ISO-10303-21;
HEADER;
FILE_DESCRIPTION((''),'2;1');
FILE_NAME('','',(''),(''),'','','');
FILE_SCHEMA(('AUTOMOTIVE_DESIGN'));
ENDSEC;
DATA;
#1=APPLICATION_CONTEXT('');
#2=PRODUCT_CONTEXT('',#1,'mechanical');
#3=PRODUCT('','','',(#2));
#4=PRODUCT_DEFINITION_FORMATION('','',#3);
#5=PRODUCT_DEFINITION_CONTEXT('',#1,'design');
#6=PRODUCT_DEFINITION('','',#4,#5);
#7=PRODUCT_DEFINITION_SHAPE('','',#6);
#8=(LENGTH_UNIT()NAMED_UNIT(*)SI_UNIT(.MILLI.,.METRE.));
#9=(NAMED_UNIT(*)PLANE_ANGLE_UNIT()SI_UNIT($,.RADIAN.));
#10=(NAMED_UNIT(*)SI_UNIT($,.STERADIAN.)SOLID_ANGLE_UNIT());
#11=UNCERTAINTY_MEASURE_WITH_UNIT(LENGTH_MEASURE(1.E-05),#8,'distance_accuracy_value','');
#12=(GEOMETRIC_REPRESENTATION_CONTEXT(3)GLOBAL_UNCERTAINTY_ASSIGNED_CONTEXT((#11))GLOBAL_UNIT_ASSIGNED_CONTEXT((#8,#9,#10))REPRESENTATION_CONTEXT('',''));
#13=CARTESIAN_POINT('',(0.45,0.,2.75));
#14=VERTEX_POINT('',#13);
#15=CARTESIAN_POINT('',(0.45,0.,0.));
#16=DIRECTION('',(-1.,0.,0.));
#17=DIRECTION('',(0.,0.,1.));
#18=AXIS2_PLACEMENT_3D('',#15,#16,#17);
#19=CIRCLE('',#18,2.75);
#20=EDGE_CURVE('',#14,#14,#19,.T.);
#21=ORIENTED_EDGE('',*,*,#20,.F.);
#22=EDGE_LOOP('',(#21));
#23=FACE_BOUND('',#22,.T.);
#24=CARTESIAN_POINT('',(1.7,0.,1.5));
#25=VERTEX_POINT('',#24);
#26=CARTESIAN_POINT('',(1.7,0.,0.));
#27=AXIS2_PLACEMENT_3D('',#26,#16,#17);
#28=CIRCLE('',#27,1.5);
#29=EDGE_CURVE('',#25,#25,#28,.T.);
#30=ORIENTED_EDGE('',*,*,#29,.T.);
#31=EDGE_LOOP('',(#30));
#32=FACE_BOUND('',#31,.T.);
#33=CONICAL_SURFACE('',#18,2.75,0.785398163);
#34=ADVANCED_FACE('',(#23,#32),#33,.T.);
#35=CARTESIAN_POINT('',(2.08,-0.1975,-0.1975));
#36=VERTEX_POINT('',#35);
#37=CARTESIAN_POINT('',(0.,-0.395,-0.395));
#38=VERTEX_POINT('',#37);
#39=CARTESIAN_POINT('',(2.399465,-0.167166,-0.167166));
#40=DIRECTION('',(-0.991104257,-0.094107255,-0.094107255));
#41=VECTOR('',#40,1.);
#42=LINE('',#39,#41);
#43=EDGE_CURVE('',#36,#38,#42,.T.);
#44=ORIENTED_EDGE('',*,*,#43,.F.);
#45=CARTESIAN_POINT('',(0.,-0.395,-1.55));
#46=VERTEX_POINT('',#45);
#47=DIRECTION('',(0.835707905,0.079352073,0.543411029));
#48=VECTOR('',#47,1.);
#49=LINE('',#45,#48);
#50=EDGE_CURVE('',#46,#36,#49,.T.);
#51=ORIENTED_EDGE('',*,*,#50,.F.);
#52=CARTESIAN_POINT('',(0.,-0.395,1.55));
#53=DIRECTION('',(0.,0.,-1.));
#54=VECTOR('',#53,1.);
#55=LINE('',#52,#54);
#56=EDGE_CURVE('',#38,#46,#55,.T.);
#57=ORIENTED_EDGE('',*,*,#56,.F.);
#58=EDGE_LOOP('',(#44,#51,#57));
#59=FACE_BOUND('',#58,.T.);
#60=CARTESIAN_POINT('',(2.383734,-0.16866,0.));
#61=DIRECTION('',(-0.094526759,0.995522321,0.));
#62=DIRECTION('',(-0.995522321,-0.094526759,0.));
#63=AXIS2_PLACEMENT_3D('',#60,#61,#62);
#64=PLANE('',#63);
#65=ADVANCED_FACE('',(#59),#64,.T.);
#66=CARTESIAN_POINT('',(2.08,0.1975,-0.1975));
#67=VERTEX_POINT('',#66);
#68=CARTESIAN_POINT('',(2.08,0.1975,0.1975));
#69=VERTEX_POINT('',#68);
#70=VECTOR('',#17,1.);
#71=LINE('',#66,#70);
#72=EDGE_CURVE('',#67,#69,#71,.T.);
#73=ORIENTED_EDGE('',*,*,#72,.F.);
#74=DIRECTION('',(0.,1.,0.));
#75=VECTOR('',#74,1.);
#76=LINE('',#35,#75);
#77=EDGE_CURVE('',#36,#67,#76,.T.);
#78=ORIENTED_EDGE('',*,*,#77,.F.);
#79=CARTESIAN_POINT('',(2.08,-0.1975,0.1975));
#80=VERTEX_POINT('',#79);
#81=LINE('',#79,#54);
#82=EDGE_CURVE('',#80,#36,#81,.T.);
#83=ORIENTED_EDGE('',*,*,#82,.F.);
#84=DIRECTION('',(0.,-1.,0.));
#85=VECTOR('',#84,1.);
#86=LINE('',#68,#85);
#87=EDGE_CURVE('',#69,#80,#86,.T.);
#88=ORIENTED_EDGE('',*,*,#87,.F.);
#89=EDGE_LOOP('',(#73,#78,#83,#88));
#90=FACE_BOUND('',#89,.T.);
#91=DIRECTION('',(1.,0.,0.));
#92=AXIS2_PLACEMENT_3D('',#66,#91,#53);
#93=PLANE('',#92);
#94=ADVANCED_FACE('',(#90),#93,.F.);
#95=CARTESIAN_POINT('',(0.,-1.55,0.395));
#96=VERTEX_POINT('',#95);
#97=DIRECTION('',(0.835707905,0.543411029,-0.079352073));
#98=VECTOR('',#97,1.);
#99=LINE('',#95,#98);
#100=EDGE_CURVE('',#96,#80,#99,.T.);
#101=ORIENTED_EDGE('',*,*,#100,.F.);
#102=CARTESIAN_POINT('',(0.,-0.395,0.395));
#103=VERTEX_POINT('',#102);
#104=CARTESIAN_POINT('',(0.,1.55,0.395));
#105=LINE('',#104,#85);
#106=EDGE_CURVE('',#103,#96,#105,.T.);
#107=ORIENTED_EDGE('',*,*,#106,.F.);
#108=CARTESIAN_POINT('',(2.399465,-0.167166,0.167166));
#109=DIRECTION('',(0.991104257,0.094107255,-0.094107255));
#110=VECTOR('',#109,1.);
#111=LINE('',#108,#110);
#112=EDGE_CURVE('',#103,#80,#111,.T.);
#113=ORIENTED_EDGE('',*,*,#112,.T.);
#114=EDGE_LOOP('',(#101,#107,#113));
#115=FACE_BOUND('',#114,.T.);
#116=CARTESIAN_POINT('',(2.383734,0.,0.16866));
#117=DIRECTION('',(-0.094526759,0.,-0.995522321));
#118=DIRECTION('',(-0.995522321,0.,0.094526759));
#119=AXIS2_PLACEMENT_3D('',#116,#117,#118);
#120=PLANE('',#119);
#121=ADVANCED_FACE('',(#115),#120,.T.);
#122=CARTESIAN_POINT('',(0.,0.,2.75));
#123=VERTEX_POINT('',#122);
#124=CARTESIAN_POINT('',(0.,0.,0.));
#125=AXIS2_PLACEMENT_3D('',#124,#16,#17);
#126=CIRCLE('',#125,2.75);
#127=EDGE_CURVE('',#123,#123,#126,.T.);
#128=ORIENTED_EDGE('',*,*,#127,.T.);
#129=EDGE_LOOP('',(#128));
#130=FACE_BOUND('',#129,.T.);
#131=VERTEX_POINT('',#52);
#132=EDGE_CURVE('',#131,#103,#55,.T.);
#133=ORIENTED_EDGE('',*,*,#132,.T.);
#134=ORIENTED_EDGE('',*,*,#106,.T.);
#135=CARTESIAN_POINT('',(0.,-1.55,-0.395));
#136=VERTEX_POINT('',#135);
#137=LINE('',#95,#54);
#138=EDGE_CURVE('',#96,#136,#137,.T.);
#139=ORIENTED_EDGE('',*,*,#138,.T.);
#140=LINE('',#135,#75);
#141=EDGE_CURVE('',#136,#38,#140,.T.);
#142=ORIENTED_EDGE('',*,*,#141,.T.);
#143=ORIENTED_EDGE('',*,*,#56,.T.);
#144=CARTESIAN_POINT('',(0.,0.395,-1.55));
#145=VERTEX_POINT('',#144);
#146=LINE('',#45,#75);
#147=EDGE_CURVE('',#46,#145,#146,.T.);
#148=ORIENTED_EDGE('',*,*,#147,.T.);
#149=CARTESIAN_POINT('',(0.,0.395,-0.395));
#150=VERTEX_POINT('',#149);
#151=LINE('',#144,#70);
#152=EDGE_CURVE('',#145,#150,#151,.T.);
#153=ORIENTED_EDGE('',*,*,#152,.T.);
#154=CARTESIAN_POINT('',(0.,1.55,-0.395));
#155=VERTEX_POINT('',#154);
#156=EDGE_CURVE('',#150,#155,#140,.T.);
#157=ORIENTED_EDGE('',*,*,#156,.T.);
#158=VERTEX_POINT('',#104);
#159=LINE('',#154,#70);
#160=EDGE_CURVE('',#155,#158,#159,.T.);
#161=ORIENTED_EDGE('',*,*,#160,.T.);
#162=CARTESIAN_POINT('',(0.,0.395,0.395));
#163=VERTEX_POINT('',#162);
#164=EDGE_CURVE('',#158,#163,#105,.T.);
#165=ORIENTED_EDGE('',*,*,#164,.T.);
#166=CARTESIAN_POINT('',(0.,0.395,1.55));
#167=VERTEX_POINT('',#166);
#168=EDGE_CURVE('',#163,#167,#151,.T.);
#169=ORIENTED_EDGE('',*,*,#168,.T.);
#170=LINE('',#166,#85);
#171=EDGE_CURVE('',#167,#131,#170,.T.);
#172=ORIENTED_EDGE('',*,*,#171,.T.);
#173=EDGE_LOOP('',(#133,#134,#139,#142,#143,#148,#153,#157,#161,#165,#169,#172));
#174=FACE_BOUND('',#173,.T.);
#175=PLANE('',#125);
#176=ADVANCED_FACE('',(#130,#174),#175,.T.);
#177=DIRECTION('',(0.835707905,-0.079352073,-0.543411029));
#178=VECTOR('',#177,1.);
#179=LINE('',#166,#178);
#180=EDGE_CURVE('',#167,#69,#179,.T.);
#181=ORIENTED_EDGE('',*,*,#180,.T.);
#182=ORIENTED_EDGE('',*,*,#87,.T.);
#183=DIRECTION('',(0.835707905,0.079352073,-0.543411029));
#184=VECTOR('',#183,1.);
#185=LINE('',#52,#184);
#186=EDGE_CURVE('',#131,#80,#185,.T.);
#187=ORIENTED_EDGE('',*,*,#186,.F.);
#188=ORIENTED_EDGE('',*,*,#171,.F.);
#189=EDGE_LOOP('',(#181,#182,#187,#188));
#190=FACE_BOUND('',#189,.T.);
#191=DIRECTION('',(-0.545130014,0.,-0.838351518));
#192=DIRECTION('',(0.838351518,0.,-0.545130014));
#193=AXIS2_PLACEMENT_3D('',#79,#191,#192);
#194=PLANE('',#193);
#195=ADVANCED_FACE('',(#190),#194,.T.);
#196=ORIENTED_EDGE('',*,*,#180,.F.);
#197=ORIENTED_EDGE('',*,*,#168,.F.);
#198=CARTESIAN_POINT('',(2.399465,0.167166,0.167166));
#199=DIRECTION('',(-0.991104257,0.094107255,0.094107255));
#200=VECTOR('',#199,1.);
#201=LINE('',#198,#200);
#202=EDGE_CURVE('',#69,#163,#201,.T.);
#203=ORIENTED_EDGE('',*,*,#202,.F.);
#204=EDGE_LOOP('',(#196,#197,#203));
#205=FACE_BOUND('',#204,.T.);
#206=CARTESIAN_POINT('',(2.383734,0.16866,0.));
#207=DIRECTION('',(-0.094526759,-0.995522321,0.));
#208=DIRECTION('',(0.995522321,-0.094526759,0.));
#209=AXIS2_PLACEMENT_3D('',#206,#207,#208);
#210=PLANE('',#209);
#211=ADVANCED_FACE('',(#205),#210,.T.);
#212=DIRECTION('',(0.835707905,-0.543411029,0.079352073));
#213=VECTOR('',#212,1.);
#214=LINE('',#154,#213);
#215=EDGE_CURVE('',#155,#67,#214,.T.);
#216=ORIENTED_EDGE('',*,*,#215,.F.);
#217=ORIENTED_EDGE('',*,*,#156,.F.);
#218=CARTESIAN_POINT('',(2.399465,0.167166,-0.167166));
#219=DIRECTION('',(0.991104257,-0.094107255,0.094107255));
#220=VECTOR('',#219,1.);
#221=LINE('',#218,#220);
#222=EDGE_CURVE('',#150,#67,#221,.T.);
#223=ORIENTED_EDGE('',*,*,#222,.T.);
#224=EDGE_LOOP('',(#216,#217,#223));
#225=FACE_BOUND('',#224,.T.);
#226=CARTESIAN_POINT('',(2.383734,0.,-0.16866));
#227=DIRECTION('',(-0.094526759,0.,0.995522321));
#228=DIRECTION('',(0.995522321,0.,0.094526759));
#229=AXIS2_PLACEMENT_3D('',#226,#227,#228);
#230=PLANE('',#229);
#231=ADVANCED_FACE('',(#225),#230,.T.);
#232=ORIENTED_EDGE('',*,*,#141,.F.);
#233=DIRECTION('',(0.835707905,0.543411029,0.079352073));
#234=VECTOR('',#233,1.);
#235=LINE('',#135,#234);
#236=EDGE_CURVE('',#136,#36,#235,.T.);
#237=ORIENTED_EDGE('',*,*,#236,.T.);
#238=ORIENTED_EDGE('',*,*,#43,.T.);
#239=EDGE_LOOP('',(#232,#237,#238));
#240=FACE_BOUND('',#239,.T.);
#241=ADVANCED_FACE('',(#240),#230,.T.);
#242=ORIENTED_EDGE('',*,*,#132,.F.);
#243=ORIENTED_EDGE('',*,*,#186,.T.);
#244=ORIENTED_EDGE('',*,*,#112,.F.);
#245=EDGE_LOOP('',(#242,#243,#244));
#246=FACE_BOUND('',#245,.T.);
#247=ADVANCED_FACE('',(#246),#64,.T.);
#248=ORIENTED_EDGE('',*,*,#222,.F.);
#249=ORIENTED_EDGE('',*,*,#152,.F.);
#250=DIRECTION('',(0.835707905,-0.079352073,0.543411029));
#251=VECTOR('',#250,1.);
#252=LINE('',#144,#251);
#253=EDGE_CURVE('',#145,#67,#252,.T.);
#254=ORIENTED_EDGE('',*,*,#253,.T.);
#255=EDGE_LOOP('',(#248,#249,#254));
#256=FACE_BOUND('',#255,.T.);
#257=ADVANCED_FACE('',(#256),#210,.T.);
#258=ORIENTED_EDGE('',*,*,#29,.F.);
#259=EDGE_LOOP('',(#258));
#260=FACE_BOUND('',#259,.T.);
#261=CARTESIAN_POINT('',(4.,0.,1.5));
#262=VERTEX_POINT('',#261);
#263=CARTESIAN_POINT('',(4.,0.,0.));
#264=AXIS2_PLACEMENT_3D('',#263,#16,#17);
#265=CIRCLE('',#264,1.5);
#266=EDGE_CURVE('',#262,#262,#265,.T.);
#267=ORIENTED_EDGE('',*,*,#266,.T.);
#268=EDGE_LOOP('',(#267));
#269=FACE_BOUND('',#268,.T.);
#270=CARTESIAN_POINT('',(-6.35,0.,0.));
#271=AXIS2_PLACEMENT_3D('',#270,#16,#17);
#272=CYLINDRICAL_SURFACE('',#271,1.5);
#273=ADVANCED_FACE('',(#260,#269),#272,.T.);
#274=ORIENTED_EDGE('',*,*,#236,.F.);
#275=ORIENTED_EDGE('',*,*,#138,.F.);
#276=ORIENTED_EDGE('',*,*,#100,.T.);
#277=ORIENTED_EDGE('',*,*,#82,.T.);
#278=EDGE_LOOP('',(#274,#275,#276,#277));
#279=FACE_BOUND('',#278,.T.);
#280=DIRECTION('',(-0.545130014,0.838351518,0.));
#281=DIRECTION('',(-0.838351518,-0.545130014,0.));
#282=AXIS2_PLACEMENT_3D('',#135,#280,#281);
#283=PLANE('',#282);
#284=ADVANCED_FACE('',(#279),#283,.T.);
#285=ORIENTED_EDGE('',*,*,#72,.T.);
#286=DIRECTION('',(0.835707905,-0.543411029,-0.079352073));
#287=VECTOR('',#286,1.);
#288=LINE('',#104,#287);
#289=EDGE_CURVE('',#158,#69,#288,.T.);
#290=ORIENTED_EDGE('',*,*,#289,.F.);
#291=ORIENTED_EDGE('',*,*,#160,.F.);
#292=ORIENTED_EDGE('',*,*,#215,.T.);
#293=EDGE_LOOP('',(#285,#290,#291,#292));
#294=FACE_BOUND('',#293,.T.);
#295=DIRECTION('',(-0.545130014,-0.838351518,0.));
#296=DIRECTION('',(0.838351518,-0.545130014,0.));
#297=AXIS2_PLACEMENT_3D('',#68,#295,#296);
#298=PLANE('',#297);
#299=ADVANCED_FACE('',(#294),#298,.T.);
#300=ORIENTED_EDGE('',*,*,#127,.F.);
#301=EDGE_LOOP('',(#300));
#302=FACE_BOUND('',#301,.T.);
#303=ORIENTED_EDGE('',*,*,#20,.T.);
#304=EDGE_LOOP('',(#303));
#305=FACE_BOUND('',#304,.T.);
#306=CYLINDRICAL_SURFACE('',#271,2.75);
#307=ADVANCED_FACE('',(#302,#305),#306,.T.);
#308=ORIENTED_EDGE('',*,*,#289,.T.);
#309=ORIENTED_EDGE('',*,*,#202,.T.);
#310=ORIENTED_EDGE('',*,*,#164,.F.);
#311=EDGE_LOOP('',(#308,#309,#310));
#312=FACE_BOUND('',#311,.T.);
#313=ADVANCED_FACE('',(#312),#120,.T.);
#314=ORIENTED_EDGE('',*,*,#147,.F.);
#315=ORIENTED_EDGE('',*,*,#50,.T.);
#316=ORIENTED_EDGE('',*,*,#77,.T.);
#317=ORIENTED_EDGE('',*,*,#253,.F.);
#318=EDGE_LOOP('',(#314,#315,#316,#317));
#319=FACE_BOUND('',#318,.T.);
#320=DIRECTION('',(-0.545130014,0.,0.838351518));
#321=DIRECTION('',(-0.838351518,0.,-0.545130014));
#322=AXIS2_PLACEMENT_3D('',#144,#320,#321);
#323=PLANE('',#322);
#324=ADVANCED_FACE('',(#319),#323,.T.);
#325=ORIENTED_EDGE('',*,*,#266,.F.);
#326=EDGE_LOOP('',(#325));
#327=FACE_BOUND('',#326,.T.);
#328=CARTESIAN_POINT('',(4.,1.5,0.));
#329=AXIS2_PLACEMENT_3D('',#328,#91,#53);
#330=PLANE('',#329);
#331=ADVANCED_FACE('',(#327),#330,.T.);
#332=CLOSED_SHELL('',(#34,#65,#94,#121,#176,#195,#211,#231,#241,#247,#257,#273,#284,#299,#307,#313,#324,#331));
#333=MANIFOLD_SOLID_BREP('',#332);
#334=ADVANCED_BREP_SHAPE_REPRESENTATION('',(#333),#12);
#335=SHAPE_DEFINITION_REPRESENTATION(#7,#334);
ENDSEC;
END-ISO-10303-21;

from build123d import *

# Parameters (mm, degrees)
CIRPATTERN1_COUNT = 2
CIRPATTERN1_ANGLE = 90


with BuildPart() as part:
    # BodySke → Base-Revolve (revolve)
    with BuildSketch(Plane.XY, mode=Mode.PRIVATE) as base_revolve_sk:
        Polygon((0, 0), (0, 2.75), (0.45, 2.75), (1.7, 1.5), (4, 1.5), (4, 0), align=None)
    revolve(base_revolve_sk.sketch.rotate(Axis((-6.35, 0, 0), (1, 0, 0)), 90), axis=Axis((-6.35, 0, 0), (1, 0, 0)))

    # Sketch3 → Cross section 0
    with BuildSketch(Plane.ZY):
        with BuildLine():
            Line((-0.395, 1.55), (0.395, 1.55))
            Line((0.395, 1.55), (0.395, -1.55))
            Line((0.395, -1.55), (-0.395, -1.55))
            Line((-0.395, -1.55), (-0.395, 1.55))
        make_face()
    # Sketch4 → Cross section 1
    with BuildSketch(Plane.ZY.offset(-2.08)):
        with BuildLine():
            Line((-0.1975, 0.1975), (0.1975, 0.1975))
            Line((0.1975, 0.1975), (0.1975, -0.1975))
            Line((0.1975, -0.1975), (-0.1975, -0.1975))
            Line((-0.1975, -0.1975), (-0.1975, 0.1975))
        make_face()
    cross = loft(mode=Mode.SUBTRACT)

    # CirPattern1: Cross ×2 about axis
    cirpattern1_axis = Axis((0, 0, 0), (1, 0, 0))
    for i in range(1, CIRPATTERN1_COUNT):
        add(cross.rotate(cirpattern1_axis, i * CIRPATTERN1_ANGLE / (CIRPATTERN1_COUNT - 1)), mode=Mode.SUBTRACT)


solid = part.part
